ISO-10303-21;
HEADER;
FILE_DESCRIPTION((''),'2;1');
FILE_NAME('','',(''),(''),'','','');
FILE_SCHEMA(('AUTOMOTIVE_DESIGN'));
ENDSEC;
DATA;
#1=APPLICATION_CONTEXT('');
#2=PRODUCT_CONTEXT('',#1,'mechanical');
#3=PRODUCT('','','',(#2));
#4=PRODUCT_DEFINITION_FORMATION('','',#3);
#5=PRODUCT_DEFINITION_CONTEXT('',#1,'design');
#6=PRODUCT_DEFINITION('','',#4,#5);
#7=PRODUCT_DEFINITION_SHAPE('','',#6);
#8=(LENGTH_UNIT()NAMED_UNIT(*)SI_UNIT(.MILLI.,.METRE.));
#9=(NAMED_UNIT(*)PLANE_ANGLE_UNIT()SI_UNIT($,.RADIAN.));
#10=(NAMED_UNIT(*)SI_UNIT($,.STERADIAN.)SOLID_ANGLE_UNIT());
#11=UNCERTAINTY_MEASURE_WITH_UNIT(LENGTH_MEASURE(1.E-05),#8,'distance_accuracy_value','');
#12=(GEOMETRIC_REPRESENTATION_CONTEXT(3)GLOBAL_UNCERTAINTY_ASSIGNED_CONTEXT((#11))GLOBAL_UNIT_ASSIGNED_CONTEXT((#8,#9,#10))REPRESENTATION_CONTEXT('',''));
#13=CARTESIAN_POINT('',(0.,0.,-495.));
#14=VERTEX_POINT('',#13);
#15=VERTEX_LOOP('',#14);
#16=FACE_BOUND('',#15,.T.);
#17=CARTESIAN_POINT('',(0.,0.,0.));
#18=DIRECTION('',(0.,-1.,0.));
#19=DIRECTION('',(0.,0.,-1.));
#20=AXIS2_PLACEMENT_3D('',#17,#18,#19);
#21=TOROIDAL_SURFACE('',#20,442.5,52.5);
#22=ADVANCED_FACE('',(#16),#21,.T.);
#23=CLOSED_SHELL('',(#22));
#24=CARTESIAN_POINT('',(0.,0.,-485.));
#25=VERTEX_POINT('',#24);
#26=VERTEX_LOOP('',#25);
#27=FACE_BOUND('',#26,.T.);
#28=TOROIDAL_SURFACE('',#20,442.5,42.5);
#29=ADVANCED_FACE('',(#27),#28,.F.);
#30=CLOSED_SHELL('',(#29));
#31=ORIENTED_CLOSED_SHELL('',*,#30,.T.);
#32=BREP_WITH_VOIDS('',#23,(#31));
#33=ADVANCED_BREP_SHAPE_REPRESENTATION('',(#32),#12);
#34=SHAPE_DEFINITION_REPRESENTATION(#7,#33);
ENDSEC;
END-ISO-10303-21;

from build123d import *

# Parameters (mm, degrees)
SKIZZE1_ONE_SIDE_R   = 52.5
SKIZZE1_ONE_SIDE_R_2 = 42.5


with BuildPart() as part:
    # Skizze1 one side → Rotation-Dünn1 (revolve)
    with BuildSketch(Plane.XY):
        with Locations((-442.5, 0)):
            Circle(SKIZZE1_ONE_SIDE_R)
        with Locations((-442.5, 0)):
            Circle(SKIZZE1_ONE_SIDE_R_2, mode=Mode.SUBTRACT)
    revolve(axis=Axis((0, 0, 0), (0, 1, 0)))


solid = part.part
